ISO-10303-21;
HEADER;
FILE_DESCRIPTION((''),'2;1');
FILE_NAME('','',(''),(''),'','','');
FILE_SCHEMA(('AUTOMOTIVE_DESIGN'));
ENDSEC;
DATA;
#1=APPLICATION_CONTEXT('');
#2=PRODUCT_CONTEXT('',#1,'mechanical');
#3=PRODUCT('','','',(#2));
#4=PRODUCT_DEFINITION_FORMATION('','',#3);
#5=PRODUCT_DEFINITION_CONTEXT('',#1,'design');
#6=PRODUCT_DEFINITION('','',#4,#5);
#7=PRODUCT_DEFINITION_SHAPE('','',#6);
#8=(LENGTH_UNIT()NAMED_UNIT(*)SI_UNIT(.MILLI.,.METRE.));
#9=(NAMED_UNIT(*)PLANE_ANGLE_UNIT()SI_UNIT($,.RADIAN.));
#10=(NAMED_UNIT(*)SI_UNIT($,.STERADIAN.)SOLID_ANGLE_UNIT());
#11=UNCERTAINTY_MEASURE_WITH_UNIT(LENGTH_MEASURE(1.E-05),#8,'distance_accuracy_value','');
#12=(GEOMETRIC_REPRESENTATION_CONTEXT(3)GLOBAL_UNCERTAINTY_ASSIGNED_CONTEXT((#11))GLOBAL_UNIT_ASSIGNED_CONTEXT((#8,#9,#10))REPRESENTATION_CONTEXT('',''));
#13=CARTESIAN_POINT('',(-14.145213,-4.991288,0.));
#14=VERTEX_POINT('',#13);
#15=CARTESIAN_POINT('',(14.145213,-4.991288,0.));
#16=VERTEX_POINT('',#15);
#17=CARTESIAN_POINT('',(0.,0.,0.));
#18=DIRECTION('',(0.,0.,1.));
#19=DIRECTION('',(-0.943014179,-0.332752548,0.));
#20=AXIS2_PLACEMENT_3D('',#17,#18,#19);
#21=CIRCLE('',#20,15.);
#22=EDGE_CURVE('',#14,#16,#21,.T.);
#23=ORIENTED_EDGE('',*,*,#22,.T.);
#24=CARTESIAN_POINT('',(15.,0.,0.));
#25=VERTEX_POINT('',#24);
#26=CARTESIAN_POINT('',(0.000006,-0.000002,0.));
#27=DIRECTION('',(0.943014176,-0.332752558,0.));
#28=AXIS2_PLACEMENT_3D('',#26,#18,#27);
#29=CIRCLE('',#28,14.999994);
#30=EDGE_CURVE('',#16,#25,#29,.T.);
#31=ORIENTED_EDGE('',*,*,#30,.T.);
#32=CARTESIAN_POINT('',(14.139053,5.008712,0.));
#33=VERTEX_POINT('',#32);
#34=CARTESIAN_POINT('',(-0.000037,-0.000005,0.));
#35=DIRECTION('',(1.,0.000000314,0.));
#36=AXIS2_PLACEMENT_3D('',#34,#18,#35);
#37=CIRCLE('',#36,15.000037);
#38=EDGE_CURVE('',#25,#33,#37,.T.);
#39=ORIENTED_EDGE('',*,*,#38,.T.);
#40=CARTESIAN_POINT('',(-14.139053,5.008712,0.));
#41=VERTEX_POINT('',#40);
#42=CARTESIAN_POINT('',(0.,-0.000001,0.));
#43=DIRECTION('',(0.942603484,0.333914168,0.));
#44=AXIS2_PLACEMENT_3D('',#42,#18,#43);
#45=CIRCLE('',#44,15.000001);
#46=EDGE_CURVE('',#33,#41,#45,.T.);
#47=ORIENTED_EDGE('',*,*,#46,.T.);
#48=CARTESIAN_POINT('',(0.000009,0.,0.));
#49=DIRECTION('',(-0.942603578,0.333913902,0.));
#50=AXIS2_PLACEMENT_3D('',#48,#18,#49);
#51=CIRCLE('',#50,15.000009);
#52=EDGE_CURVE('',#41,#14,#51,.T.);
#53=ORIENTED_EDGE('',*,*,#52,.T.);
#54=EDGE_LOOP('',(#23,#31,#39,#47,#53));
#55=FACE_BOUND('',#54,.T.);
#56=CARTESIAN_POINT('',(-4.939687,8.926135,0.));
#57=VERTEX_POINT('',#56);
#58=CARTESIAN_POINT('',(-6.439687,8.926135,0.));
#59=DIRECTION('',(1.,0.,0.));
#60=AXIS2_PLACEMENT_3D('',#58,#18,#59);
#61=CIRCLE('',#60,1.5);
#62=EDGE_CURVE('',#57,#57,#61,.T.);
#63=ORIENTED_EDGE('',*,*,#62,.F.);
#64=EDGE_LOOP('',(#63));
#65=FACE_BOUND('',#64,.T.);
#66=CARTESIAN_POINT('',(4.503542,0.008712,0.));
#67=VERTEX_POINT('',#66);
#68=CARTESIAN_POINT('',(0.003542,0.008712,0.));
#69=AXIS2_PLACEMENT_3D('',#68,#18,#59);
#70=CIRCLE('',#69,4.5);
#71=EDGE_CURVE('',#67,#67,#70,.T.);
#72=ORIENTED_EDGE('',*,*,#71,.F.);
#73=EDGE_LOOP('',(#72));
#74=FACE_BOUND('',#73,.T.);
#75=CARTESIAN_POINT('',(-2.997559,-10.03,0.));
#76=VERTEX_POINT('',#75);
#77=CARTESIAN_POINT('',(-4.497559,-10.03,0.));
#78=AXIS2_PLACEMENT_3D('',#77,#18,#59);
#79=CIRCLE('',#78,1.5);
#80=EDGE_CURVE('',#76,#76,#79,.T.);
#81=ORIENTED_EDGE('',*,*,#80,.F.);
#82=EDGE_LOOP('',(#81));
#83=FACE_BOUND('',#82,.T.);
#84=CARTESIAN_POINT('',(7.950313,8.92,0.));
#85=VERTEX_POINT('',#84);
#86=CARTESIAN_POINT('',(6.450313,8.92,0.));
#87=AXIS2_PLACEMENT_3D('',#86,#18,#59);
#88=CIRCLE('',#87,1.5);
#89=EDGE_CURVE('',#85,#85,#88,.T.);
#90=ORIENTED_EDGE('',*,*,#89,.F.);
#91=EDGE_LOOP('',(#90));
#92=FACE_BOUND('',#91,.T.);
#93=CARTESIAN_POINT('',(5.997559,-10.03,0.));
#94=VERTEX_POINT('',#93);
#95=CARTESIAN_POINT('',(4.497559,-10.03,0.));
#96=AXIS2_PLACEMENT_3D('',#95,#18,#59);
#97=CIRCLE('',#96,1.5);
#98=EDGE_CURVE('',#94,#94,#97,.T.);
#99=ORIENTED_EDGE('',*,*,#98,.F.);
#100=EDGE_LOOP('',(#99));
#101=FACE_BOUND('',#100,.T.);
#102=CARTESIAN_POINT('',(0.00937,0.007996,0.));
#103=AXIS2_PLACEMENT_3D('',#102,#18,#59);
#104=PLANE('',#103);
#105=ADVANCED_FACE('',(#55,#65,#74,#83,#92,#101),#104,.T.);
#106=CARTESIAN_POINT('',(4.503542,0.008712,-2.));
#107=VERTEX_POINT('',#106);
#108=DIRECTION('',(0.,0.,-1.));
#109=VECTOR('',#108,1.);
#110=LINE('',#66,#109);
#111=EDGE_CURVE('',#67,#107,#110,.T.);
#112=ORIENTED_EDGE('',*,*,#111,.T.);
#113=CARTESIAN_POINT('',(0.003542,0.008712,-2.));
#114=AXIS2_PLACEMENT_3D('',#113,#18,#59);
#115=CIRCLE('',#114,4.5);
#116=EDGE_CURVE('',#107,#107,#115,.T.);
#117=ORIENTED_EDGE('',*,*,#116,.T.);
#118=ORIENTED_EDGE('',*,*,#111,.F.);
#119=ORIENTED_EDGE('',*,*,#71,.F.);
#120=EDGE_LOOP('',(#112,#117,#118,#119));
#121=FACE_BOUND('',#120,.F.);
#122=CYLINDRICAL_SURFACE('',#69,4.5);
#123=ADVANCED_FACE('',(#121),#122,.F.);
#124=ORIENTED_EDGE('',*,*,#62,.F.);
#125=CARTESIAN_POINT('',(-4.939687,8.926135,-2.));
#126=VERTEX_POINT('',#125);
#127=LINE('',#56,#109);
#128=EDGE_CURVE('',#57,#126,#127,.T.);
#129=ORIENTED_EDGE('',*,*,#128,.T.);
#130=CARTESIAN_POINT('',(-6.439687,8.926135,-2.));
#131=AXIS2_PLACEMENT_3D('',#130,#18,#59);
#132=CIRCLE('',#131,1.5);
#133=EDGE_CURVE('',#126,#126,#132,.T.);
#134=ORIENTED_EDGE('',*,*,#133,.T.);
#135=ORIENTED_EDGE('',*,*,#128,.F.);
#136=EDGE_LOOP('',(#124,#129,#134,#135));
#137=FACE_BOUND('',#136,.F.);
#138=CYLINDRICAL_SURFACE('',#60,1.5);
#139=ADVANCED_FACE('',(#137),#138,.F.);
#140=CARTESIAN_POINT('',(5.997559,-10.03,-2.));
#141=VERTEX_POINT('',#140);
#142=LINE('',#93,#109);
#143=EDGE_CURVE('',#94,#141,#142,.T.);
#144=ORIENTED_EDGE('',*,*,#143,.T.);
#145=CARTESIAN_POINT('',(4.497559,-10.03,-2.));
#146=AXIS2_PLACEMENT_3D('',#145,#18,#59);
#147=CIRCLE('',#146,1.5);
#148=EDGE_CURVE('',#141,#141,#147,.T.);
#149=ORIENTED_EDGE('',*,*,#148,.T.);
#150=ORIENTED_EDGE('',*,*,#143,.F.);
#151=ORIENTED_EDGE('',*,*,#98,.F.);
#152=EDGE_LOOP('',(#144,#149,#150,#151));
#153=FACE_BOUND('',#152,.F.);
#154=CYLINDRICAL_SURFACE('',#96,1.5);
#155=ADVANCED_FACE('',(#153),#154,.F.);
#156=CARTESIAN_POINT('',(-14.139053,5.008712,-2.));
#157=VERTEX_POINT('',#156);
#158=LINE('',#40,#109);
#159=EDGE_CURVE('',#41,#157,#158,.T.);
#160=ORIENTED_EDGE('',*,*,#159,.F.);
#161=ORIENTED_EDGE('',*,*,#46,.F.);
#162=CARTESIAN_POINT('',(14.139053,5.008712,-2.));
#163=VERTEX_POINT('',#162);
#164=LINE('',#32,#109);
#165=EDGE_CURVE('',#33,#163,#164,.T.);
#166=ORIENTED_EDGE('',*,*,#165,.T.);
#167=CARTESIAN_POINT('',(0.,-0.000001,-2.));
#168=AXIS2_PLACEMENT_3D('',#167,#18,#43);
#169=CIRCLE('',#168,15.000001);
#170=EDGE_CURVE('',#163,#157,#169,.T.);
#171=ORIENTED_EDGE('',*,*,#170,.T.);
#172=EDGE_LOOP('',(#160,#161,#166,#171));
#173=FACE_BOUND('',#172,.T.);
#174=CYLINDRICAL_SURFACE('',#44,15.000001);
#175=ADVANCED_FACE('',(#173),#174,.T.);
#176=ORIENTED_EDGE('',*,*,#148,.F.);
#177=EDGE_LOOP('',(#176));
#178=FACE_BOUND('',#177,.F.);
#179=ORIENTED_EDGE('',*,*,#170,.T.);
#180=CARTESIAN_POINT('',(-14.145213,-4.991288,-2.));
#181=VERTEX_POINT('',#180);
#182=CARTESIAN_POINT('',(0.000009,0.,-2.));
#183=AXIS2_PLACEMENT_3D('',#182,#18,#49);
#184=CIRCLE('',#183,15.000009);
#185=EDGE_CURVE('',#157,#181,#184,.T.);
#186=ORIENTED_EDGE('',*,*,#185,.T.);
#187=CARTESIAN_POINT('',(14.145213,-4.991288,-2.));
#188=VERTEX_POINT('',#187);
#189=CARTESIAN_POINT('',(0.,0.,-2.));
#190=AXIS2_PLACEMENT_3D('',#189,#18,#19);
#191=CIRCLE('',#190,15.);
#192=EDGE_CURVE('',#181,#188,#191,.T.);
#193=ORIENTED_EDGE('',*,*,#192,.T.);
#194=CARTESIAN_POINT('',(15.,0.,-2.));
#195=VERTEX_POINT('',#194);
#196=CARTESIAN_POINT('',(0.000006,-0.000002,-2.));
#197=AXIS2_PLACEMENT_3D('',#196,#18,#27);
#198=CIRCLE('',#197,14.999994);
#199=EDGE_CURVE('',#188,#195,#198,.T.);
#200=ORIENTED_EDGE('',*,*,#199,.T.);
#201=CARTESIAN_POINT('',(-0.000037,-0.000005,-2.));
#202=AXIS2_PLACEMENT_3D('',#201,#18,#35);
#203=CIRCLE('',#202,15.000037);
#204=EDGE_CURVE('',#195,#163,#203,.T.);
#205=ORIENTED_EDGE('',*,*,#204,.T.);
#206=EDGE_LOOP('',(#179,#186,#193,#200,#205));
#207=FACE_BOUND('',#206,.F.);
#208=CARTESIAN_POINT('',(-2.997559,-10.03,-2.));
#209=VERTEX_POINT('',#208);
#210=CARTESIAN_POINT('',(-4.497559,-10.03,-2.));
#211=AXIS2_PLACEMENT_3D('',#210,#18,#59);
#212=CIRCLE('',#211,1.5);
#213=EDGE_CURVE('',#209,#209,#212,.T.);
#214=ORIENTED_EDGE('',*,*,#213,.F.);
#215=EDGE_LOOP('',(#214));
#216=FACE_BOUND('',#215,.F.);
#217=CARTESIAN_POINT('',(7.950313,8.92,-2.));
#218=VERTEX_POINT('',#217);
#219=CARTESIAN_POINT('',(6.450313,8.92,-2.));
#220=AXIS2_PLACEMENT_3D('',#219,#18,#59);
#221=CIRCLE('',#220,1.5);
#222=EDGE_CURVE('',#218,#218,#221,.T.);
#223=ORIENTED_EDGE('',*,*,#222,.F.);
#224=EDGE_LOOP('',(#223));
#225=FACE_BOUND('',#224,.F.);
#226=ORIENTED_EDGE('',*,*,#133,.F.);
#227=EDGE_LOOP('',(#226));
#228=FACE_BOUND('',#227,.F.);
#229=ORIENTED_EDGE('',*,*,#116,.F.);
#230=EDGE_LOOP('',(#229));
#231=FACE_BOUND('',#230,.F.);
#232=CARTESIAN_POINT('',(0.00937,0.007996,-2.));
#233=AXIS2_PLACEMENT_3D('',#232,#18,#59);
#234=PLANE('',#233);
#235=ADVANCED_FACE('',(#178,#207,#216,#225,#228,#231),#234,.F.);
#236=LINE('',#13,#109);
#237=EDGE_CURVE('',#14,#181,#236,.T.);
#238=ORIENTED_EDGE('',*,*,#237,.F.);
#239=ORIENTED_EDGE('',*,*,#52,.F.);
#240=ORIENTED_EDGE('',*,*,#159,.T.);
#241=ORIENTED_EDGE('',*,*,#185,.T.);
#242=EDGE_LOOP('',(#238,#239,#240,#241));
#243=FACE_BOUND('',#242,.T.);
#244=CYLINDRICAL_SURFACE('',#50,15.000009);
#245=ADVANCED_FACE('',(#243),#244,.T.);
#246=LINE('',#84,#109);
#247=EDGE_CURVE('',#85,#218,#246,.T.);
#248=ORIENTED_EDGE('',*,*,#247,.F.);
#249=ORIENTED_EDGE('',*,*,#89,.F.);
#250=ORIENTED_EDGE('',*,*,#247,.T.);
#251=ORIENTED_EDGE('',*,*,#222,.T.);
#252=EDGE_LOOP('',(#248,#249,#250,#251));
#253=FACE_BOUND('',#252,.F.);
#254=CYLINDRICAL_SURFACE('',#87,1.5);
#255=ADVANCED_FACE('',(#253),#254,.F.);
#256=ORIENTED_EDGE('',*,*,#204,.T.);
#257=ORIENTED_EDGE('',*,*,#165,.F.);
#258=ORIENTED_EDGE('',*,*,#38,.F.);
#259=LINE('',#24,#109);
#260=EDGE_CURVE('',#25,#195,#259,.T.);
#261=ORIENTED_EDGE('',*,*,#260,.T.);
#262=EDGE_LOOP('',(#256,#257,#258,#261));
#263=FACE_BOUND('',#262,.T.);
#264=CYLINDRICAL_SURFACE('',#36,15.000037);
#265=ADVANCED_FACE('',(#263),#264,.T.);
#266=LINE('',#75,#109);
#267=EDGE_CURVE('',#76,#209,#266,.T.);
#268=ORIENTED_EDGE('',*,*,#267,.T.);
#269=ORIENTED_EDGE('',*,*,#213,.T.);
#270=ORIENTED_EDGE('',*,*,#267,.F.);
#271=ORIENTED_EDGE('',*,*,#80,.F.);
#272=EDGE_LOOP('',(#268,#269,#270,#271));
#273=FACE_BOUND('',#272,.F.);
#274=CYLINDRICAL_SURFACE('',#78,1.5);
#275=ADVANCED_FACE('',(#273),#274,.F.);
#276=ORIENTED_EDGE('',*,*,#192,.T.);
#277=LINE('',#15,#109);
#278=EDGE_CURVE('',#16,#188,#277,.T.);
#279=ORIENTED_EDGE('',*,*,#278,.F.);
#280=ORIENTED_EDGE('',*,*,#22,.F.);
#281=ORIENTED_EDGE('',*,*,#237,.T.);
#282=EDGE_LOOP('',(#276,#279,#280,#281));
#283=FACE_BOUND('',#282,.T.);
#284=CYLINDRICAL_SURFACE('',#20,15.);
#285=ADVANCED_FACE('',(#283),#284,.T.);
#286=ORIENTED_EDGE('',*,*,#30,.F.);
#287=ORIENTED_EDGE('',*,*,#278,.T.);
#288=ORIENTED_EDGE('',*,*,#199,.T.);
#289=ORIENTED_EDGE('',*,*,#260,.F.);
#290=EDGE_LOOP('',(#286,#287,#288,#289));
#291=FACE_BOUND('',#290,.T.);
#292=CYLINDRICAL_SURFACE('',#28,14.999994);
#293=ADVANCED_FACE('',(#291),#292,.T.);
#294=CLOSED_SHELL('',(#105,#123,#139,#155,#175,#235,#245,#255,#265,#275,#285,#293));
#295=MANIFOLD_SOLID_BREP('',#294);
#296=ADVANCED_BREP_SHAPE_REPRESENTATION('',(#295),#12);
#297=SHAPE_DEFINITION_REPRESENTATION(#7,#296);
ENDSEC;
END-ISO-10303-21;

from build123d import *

# Parameters (mm, degrees)
F0_R     = 4.5
F0_R_2   = 1.5
F1_DEPTH = 2


with BuildPart() as f1:
    # F0 (on Top) → F1 (new body)
    with BuildSketch(Plane.XY):
        with BuildLine():
            ThreePointArc((14.145213, -4.991288), (14.784759, -2.531977), (15, 0))
            ThreePointArc((15, 0), (14.783196, 2.541084), (14.139053, 5.008712))
            Line((14.139053, 5.008712), (-14.139053, 5.008712))
            ThreePointArc((-14.139053, 5.008712), (-14.999997, 0.00924), (-14.145213, -4.991288))
            Line((-14.145213, -4.991288), (14.145213, -4.991288))
        make_face()
        with Locations((0.003542, 0.008712)):
            Circle(F0_R, mode=Mode.SUBTRACT)
        with BuildLine():
            Line((-14.139053, 5.008712), (14.139053, 5.008712))
            ThreePointArc((14.139053, 5.008712), (0, 15), (-14.139053, 5.008712))
        make_face()
        with Locations((-6.439687, 8.926135)):
            Circle(F0_R_2, mode=Mode.SUBTRACT)
        with Locations((6.450313, 8.92)):
            Circle(F0_R_2, mode=Mode.SUBTRACT)
        with BuildLine():
            ThreePointArc((-14.145213, -4.991288), (0, -15), (14.145213, -4.991288))
            Line((14.145213, -4.991288), (-14.145213, -4.991288))
        make_face()
        with Locations((-4.497559, -10.03)):
            Circle(F0_R_2, mode=Mode.SUBTRACT)
        with Locations((4.497559, -10.03)):
            Circle(F0_R_2, mode=Mode.SUBTRACT)
    extrude(amount=-F1_DEPTH)


solid = f1.part
